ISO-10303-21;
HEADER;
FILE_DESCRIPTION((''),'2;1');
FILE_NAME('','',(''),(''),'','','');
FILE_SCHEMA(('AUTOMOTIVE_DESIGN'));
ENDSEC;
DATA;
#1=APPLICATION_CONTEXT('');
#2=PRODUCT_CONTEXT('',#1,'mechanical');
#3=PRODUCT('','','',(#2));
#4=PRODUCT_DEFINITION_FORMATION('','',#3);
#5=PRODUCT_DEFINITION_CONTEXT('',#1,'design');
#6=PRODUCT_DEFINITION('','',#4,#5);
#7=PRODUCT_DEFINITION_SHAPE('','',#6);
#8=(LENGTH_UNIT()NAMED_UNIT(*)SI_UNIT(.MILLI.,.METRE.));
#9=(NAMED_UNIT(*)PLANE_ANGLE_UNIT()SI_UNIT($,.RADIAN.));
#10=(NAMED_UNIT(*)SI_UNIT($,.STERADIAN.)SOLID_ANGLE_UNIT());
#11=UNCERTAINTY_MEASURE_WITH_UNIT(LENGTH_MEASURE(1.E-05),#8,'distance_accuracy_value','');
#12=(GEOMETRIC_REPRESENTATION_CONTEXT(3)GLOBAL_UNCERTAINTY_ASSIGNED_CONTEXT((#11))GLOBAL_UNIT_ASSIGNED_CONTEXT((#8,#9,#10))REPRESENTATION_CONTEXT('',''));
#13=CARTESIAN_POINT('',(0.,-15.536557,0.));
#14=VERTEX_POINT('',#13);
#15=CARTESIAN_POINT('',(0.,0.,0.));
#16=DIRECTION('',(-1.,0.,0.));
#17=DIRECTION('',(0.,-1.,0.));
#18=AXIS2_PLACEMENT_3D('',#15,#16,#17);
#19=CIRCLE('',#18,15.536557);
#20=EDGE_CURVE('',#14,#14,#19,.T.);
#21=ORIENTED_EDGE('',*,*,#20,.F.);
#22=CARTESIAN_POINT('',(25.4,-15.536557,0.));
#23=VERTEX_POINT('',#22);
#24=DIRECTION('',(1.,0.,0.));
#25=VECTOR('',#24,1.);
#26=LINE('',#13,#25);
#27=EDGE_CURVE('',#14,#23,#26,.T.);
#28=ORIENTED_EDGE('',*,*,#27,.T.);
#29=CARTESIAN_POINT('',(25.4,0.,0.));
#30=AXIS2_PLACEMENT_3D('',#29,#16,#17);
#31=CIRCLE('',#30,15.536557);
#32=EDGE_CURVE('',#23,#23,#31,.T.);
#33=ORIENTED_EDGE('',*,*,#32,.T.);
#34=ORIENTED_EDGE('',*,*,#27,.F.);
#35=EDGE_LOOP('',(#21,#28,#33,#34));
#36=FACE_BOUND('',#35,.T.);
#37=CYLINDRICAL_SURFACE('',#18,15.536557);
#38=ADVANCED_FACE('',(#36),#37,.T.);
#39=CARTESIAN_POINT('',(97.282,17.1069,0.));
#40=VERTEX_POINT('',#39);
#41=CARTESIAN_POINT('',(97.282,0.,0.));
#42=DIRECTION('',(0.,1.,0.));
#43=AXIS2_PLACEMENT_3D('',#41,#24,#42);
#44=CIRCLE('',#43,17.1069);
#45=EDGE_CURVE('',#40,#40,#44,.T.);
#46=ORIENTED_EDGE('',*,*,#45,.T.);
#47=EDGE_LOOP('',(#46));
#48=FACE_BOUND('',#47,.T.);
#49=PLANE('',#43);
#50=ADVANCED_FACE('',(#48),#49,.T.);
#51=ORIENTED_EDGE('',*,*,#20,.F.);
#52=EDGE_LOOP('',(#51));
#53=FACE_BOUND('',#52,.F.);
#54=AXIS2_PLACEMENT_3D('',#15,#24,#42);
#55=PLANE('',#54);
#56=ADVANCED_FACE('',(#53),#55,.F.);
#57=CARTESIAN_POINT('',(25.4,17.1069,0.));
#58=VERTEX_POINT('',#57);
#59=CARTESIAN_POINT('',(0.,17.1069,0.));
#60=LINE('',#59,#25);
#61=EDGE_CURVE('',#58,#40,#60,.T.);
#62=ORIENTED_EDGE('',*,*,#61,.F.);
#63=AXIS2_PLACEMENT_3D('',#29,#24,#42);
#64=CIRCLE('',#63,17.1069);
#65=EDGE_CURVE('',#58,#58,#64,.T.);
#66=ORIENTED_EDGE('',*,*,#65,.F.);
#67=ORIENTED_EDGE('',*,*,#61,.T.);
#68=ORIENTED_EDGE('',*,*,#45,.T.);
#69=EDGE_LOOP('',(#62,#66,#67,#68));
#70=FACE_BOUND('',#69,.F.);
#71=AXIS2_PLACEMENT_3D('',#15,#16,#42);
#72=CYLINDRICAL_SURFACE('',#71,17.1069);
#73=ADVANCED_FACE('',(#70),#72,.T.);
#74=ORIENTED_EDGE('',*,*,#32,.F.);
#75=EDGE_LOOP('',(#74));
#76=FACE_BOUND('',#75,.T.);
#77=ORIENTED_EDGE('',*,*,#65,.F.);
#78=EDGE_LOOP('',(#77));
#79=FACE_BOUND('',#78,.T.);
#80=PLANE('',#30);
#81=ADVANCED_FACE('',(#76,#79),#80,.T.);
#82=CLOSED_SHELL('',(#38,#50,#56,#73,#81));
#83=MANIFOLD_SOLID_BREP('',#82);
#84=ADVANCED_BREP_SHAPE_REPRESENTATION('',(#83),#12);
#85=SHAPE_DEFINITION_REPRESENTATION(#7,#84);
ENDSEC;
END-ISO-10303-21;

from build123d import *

# Parameters (mm, degrees)
F0_R     = 17.1069
F1_DEPTH = 97.282
F2_R     = 17.1069
F2_R_2   = 15.536557
F3_DEPTH = 25.4


with BuildPart() as f1:
    # F0 (on Right) → F1 (new body)
    with BuildSketch(Plane.YZ):
        Circle(F0_R)
    extrude(amount=F1_DEPTH)

    # F2 (on face) → F3 (cut)
    with BuildSketch(Plane(origin=(0, 0, 0), x_dir=(0, -1, 0), z_dir=(-1, 0, 0))):
        Circle(F2_R)
        Circle(F2_R_2, mode=Mode.SUBTRACT)
    extrude(amount=-F3_DEPTH, mode=Mode.SUBTRACT)


solid = f1.part
